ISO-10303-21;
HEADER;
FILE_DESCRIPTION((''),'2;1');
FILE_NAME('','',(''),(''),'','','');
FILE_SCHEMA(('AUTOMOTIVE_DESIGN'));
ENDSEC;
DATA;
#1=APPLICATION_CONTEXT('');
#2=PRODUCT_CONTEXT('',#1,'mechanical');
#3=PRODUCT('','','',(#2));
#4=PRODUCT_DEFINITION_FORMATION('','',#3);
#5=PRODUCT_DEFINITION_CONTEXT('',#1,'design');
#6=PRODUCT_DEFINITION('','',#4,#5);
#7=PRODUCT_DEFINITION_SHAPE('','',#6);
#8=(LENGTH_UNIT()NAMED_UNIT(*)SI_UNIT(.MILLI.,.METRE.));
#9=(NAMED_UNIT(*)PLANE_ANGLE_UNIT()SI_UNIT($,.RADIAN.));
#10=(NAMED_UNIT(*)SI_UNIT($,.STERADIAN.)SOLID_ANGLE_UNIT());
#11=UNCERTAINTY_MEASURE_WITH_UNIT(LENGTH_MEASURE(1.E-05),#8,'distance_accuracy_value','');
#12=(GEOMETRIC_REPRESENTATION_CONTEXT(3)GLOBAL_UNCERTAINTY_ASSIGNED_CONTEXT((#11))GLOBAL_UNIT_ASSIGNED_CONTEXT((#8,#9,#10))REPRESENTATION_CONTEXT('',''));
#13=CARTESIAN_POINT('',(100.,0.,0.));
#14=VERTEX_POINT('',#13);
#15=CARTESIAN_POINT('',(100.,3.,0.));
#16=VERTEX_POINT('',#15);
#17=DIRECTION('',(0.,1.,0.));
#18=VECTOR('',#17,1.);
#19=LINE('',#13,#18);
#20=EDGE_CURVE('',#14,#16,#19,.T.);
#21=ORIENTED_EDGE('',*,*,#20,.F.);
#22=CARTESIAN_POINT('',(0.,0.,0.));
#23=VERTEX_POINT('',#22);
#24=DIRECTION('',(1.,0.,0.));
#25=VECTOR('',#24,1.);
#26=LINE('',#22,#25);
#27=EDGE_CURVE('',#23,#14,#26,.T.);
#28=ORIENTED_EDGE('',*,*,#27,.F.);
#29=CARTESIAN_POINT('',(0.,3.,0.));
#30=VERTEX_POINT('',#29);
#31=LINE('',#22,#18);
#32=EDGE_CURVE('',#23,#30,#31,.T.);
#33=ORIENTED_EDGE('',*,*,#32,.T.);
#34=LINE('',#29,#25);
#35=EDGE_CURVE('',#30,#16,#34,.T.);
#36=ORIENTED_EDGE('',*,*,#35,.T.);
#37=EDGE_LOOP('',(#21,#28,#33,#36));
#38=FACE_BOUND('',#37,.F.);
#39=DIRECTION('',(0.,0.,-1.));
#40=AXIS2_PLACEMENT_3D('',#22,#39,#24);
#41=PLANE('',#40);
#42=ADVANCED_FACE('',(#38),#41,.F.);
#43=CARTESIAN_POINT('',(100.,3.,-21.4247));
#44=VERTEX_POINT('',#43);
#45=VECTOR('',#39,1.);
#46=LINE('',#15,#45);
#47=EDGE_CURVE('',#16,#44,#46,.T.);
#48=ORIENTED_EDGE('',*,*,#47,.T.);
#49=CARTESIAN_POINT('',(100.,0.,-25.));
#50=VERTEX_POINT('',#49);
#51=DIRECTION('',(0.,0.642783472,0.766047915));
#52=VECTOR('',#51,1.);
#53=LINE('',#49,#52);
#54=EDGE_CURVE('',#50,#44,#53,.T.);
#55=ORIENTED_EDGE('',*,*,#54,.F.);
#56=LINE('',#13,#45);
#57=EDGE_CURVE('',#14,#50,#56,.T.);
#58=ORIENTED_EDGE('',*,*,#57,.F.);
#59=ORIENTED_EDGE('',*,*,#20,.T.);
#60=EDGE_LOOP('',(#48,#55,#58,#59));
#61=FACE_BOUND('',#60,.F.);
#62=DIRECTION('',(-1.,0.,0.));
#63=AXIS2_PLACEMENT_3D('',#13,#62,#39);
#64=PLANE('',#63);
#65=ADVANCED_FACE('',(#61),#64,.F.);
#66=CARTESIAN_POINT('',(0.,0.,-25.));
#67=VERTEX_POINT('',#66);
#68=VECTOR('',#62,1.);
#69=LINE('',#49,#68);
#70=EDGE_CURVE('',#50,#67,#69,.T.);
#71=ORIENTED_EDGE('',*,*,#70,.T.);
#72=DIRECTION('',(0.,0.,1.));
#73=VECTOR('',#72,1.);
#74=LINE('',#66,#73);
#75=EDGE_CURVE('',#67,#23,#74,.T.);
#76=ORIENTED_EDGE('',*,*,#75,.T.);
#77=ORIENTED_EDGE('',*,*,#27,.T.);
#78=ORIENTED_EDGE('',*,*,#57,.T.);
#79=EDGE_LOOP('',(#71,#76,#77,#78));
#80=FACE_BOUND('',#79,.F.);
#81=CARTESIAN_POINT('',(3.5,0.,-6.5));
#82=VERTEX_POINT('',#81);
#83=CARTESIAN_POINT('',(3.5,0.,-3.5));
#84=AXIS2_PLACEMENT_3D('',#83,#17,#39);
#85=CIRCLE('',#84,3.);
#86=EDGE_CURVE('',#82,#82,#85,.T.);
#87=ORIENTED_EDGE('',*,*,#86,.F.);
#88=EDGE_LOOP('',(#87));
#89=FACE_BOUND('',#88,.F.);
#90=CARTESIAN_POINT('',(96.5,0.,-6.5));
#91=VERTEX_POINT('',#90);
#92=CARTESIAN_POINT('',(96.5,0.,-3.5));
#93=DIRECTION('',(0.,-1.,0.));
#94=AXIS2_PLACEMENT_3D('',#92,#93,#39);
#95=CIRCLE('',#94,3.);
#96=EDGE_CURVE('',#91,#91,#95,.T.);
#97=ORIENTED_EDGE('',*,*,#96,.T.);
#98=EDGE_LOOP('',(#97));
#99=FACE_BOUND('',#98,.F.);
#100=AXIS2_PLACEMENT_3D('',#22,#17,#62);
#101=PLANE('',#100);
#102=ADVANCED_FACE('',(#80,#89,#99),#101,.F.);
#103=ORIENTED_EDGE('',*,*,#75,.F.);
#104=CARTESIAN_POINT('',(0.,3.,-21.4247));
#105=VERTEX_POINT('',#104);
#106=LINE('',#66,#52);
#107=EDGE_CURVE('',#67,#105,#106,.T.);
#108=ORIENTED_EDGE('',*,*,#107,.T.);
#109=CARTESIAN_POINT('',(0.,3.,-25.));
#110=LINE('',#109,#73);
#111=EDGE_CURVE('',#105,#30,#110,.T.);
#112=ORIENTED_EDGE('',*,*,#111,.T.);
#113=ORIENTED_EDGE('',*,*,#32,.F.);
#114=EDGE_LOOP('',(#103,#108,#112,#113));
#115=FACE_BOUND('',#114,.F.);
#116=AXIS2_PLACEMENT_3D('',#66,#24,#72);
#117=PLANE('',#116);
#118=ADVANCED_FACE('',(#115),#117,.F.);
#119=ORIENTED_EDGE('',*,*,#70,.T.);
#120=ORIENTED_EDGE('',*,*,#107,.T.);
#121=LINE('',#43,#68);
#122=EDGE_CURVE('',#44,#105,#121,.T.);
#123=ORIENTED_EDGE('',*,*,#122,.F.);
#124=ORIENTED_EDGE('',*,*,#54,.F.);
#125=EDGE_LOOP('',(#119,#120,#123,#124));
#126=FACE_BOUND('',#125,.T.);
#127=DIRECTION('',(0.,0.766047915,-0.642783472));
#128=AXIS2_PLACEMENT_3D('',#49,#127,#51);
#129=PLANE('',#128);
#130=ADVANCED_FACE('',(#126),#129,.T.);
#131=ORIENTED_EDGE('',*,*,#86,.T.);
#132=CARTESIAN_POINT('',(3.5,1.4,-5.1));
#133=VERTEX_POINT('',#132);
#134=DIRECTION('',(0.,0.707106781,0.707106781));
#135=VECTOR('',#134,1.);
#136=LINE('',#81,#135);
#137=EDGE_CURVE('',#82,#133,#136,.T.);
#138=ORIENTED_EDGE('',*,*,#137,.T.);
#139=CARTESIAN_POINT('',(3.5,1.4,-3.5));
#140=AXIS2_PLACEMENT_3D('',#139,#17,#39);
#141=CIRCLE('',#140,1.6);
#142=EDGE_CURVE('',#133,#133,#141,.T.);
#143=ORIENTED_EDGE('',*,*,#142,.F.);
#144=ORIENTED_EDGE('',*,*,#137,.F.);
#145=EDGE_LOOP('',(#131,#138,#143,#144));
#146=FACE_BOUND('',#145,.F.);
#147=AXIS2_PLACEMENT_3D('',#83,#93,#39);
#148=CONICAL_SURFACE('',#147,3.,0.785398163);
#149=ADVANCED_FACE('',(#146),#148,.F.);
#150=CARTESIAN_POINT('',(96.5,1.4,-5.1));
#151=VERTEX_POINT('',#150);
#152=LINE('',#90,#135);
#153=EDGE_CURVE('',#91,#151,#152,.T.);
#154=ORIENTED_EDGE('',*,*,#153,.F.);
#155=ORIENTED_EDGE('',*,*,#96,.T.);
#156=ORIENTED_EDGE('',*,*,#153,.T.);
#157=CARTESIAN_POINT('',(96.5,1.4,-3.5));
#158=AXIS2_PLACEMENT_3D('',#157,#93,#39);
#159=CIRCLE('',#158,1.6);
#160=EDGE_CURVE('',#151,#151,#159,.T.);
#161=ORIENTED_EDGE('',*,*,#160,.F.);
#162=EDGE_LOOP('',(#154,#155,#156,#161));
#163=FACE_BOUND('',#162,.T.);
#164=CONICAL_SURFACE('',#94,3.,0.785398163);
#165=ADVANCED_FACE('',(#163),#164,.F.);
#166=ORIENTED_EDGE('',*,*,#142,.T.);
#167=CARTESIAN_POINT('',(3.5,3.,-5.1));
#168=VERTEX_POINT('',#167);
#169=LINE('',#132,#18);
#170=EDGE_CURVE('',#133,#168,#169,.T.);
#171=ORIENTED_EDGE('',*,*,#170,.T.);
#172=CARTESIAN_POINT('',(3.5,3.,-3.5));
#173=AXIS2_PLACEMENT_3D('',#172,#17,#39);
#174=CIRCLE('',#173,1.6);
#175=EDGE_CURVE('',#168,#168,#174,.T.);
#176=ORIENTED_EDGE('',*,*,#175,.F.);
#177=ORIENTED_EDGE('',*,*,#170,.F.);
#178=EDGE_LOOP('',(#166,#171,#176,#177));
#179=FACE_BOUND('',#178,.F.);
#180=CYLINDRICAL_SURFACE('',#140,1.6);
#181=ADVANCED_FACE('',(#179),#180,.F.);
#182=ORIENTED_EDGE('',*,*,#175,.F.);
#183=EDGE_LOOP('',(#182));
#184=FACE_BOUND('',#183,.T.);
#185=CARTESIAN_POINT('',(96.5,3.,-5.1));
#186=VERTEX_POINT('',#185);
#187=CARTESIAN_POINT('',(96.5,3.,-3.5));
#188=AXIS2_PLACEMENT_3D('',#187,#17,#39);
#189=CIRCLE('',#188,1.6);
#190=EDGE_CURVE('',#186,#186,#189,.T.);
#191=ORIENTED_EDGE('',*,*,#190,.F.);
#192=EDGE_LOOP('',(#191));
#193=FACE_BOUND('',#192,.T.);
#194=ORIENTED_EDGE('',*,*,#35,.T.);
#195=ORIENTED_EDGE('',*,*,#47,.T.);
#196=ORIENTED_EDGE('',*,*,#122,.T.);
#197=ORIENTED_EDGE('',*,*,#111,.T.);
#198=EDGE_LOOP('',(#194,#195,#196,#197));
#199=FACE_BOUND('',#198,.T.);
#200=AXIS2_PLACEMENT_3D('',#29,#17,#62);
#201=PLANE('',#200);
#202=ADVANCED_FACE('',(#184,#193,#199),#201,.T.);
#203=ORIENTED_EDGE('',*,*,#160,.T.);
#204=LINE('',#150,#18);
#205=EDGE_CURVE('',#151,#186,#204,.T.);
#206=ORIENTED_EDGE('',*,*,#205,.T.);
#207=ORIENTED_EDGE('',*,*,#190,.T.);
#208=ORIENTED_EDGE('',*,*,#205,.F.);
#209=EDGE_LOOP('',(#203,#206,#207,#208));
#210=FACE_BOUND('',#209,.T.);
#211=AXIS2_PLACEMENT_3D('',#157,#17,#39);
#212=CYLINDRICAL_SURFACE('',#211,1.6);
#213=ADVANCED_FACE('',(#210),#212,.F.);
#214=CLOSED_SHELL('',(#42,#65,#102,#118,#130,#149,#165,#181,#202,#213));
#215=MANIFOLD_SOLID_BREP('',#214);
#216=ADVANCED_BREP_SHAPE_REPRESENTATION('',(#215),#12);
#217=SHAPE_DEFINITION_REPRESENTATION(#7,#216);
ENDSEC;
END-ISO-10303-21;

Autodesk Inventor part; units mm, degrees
ref_plane "YZ Plane" through (0, 0, 0) normal (1, 0, 0) x (0, 1, 0)
ref_plane "XZ Plane" through (0, 0, 0) normal (0, 1, 0) x (-1, 0, 0)
ref_plane "XY Plane" through (0, 0, 0) normal (0, 0, 1) x (1, 0, 0)
sketch "Szkic1" plane through (0, 0, 0) normal (0, 1, 0) x (-1, 0, 0)
  line L0 (0, 0) -> (-100, 0)
  line L1 (-100, 0) -> (-100, -25)
  line L2 (-100, -25) -> (0, -25)
  line L3 (0, -25) -> (0, 0)
  dimension "d0" = 100
  dimension "d1" = 25
extrude "Wyciągnięcie proste1" add sketch "Szkic1" along normal blind 3
sketch "Szkic2" plane through (100, 0, 0) normal (1, 0, 0) x (0, 0, -1)
  line L0 (0, 0) -> (25, 0) projected
  line L1 (25, 0) -> (25, 3) projected
  line L2 (0, 3) -> (25, 3) projected
  line L3 (0, 0) -> (0, 3) projected
  line L4 (25, 0) -> (21.4247, 3)
  dimension "d4" = 40
extrude "Wyciągnięcie proste2" cut sketch "Szkic2" against normal through all contours L4 L2 L1
sketch "Szkic3" plane through (0, 0, 0) normal (0, -1, 0) x (1, 0, 0)
  line L0 (0, -25) -> (0, 0) projected
  line L1 (100, 0) -> (100, -25) projected
  line L2 (0, 0) -> (100, 0) projected
  line L3 (0, -25) -> (0, 0) projected
  line L4 (100, -25) -> (0, -25) projected
  point P0 (3.5, -3.5)
  dimension "d7" = 3.5
  dimension "d8" = 3.5
hole "Otwór1" at (3.5, 0, -3.5) direction (0, 1, 0) diameter 3.2 end through all countersink diameter 6 countersink angle 90
ref_plane "Płaszczyzna konstrukcyjna1" through (50, 0, 0) normal (-1, 0, 0) x (0, 0, 1)
mirror "Odbij1" about plane through (50, 0, 0) normal (-1, 0, 0) of "Otwór1"
properties part number "nóź" material "Stal, odlew"
